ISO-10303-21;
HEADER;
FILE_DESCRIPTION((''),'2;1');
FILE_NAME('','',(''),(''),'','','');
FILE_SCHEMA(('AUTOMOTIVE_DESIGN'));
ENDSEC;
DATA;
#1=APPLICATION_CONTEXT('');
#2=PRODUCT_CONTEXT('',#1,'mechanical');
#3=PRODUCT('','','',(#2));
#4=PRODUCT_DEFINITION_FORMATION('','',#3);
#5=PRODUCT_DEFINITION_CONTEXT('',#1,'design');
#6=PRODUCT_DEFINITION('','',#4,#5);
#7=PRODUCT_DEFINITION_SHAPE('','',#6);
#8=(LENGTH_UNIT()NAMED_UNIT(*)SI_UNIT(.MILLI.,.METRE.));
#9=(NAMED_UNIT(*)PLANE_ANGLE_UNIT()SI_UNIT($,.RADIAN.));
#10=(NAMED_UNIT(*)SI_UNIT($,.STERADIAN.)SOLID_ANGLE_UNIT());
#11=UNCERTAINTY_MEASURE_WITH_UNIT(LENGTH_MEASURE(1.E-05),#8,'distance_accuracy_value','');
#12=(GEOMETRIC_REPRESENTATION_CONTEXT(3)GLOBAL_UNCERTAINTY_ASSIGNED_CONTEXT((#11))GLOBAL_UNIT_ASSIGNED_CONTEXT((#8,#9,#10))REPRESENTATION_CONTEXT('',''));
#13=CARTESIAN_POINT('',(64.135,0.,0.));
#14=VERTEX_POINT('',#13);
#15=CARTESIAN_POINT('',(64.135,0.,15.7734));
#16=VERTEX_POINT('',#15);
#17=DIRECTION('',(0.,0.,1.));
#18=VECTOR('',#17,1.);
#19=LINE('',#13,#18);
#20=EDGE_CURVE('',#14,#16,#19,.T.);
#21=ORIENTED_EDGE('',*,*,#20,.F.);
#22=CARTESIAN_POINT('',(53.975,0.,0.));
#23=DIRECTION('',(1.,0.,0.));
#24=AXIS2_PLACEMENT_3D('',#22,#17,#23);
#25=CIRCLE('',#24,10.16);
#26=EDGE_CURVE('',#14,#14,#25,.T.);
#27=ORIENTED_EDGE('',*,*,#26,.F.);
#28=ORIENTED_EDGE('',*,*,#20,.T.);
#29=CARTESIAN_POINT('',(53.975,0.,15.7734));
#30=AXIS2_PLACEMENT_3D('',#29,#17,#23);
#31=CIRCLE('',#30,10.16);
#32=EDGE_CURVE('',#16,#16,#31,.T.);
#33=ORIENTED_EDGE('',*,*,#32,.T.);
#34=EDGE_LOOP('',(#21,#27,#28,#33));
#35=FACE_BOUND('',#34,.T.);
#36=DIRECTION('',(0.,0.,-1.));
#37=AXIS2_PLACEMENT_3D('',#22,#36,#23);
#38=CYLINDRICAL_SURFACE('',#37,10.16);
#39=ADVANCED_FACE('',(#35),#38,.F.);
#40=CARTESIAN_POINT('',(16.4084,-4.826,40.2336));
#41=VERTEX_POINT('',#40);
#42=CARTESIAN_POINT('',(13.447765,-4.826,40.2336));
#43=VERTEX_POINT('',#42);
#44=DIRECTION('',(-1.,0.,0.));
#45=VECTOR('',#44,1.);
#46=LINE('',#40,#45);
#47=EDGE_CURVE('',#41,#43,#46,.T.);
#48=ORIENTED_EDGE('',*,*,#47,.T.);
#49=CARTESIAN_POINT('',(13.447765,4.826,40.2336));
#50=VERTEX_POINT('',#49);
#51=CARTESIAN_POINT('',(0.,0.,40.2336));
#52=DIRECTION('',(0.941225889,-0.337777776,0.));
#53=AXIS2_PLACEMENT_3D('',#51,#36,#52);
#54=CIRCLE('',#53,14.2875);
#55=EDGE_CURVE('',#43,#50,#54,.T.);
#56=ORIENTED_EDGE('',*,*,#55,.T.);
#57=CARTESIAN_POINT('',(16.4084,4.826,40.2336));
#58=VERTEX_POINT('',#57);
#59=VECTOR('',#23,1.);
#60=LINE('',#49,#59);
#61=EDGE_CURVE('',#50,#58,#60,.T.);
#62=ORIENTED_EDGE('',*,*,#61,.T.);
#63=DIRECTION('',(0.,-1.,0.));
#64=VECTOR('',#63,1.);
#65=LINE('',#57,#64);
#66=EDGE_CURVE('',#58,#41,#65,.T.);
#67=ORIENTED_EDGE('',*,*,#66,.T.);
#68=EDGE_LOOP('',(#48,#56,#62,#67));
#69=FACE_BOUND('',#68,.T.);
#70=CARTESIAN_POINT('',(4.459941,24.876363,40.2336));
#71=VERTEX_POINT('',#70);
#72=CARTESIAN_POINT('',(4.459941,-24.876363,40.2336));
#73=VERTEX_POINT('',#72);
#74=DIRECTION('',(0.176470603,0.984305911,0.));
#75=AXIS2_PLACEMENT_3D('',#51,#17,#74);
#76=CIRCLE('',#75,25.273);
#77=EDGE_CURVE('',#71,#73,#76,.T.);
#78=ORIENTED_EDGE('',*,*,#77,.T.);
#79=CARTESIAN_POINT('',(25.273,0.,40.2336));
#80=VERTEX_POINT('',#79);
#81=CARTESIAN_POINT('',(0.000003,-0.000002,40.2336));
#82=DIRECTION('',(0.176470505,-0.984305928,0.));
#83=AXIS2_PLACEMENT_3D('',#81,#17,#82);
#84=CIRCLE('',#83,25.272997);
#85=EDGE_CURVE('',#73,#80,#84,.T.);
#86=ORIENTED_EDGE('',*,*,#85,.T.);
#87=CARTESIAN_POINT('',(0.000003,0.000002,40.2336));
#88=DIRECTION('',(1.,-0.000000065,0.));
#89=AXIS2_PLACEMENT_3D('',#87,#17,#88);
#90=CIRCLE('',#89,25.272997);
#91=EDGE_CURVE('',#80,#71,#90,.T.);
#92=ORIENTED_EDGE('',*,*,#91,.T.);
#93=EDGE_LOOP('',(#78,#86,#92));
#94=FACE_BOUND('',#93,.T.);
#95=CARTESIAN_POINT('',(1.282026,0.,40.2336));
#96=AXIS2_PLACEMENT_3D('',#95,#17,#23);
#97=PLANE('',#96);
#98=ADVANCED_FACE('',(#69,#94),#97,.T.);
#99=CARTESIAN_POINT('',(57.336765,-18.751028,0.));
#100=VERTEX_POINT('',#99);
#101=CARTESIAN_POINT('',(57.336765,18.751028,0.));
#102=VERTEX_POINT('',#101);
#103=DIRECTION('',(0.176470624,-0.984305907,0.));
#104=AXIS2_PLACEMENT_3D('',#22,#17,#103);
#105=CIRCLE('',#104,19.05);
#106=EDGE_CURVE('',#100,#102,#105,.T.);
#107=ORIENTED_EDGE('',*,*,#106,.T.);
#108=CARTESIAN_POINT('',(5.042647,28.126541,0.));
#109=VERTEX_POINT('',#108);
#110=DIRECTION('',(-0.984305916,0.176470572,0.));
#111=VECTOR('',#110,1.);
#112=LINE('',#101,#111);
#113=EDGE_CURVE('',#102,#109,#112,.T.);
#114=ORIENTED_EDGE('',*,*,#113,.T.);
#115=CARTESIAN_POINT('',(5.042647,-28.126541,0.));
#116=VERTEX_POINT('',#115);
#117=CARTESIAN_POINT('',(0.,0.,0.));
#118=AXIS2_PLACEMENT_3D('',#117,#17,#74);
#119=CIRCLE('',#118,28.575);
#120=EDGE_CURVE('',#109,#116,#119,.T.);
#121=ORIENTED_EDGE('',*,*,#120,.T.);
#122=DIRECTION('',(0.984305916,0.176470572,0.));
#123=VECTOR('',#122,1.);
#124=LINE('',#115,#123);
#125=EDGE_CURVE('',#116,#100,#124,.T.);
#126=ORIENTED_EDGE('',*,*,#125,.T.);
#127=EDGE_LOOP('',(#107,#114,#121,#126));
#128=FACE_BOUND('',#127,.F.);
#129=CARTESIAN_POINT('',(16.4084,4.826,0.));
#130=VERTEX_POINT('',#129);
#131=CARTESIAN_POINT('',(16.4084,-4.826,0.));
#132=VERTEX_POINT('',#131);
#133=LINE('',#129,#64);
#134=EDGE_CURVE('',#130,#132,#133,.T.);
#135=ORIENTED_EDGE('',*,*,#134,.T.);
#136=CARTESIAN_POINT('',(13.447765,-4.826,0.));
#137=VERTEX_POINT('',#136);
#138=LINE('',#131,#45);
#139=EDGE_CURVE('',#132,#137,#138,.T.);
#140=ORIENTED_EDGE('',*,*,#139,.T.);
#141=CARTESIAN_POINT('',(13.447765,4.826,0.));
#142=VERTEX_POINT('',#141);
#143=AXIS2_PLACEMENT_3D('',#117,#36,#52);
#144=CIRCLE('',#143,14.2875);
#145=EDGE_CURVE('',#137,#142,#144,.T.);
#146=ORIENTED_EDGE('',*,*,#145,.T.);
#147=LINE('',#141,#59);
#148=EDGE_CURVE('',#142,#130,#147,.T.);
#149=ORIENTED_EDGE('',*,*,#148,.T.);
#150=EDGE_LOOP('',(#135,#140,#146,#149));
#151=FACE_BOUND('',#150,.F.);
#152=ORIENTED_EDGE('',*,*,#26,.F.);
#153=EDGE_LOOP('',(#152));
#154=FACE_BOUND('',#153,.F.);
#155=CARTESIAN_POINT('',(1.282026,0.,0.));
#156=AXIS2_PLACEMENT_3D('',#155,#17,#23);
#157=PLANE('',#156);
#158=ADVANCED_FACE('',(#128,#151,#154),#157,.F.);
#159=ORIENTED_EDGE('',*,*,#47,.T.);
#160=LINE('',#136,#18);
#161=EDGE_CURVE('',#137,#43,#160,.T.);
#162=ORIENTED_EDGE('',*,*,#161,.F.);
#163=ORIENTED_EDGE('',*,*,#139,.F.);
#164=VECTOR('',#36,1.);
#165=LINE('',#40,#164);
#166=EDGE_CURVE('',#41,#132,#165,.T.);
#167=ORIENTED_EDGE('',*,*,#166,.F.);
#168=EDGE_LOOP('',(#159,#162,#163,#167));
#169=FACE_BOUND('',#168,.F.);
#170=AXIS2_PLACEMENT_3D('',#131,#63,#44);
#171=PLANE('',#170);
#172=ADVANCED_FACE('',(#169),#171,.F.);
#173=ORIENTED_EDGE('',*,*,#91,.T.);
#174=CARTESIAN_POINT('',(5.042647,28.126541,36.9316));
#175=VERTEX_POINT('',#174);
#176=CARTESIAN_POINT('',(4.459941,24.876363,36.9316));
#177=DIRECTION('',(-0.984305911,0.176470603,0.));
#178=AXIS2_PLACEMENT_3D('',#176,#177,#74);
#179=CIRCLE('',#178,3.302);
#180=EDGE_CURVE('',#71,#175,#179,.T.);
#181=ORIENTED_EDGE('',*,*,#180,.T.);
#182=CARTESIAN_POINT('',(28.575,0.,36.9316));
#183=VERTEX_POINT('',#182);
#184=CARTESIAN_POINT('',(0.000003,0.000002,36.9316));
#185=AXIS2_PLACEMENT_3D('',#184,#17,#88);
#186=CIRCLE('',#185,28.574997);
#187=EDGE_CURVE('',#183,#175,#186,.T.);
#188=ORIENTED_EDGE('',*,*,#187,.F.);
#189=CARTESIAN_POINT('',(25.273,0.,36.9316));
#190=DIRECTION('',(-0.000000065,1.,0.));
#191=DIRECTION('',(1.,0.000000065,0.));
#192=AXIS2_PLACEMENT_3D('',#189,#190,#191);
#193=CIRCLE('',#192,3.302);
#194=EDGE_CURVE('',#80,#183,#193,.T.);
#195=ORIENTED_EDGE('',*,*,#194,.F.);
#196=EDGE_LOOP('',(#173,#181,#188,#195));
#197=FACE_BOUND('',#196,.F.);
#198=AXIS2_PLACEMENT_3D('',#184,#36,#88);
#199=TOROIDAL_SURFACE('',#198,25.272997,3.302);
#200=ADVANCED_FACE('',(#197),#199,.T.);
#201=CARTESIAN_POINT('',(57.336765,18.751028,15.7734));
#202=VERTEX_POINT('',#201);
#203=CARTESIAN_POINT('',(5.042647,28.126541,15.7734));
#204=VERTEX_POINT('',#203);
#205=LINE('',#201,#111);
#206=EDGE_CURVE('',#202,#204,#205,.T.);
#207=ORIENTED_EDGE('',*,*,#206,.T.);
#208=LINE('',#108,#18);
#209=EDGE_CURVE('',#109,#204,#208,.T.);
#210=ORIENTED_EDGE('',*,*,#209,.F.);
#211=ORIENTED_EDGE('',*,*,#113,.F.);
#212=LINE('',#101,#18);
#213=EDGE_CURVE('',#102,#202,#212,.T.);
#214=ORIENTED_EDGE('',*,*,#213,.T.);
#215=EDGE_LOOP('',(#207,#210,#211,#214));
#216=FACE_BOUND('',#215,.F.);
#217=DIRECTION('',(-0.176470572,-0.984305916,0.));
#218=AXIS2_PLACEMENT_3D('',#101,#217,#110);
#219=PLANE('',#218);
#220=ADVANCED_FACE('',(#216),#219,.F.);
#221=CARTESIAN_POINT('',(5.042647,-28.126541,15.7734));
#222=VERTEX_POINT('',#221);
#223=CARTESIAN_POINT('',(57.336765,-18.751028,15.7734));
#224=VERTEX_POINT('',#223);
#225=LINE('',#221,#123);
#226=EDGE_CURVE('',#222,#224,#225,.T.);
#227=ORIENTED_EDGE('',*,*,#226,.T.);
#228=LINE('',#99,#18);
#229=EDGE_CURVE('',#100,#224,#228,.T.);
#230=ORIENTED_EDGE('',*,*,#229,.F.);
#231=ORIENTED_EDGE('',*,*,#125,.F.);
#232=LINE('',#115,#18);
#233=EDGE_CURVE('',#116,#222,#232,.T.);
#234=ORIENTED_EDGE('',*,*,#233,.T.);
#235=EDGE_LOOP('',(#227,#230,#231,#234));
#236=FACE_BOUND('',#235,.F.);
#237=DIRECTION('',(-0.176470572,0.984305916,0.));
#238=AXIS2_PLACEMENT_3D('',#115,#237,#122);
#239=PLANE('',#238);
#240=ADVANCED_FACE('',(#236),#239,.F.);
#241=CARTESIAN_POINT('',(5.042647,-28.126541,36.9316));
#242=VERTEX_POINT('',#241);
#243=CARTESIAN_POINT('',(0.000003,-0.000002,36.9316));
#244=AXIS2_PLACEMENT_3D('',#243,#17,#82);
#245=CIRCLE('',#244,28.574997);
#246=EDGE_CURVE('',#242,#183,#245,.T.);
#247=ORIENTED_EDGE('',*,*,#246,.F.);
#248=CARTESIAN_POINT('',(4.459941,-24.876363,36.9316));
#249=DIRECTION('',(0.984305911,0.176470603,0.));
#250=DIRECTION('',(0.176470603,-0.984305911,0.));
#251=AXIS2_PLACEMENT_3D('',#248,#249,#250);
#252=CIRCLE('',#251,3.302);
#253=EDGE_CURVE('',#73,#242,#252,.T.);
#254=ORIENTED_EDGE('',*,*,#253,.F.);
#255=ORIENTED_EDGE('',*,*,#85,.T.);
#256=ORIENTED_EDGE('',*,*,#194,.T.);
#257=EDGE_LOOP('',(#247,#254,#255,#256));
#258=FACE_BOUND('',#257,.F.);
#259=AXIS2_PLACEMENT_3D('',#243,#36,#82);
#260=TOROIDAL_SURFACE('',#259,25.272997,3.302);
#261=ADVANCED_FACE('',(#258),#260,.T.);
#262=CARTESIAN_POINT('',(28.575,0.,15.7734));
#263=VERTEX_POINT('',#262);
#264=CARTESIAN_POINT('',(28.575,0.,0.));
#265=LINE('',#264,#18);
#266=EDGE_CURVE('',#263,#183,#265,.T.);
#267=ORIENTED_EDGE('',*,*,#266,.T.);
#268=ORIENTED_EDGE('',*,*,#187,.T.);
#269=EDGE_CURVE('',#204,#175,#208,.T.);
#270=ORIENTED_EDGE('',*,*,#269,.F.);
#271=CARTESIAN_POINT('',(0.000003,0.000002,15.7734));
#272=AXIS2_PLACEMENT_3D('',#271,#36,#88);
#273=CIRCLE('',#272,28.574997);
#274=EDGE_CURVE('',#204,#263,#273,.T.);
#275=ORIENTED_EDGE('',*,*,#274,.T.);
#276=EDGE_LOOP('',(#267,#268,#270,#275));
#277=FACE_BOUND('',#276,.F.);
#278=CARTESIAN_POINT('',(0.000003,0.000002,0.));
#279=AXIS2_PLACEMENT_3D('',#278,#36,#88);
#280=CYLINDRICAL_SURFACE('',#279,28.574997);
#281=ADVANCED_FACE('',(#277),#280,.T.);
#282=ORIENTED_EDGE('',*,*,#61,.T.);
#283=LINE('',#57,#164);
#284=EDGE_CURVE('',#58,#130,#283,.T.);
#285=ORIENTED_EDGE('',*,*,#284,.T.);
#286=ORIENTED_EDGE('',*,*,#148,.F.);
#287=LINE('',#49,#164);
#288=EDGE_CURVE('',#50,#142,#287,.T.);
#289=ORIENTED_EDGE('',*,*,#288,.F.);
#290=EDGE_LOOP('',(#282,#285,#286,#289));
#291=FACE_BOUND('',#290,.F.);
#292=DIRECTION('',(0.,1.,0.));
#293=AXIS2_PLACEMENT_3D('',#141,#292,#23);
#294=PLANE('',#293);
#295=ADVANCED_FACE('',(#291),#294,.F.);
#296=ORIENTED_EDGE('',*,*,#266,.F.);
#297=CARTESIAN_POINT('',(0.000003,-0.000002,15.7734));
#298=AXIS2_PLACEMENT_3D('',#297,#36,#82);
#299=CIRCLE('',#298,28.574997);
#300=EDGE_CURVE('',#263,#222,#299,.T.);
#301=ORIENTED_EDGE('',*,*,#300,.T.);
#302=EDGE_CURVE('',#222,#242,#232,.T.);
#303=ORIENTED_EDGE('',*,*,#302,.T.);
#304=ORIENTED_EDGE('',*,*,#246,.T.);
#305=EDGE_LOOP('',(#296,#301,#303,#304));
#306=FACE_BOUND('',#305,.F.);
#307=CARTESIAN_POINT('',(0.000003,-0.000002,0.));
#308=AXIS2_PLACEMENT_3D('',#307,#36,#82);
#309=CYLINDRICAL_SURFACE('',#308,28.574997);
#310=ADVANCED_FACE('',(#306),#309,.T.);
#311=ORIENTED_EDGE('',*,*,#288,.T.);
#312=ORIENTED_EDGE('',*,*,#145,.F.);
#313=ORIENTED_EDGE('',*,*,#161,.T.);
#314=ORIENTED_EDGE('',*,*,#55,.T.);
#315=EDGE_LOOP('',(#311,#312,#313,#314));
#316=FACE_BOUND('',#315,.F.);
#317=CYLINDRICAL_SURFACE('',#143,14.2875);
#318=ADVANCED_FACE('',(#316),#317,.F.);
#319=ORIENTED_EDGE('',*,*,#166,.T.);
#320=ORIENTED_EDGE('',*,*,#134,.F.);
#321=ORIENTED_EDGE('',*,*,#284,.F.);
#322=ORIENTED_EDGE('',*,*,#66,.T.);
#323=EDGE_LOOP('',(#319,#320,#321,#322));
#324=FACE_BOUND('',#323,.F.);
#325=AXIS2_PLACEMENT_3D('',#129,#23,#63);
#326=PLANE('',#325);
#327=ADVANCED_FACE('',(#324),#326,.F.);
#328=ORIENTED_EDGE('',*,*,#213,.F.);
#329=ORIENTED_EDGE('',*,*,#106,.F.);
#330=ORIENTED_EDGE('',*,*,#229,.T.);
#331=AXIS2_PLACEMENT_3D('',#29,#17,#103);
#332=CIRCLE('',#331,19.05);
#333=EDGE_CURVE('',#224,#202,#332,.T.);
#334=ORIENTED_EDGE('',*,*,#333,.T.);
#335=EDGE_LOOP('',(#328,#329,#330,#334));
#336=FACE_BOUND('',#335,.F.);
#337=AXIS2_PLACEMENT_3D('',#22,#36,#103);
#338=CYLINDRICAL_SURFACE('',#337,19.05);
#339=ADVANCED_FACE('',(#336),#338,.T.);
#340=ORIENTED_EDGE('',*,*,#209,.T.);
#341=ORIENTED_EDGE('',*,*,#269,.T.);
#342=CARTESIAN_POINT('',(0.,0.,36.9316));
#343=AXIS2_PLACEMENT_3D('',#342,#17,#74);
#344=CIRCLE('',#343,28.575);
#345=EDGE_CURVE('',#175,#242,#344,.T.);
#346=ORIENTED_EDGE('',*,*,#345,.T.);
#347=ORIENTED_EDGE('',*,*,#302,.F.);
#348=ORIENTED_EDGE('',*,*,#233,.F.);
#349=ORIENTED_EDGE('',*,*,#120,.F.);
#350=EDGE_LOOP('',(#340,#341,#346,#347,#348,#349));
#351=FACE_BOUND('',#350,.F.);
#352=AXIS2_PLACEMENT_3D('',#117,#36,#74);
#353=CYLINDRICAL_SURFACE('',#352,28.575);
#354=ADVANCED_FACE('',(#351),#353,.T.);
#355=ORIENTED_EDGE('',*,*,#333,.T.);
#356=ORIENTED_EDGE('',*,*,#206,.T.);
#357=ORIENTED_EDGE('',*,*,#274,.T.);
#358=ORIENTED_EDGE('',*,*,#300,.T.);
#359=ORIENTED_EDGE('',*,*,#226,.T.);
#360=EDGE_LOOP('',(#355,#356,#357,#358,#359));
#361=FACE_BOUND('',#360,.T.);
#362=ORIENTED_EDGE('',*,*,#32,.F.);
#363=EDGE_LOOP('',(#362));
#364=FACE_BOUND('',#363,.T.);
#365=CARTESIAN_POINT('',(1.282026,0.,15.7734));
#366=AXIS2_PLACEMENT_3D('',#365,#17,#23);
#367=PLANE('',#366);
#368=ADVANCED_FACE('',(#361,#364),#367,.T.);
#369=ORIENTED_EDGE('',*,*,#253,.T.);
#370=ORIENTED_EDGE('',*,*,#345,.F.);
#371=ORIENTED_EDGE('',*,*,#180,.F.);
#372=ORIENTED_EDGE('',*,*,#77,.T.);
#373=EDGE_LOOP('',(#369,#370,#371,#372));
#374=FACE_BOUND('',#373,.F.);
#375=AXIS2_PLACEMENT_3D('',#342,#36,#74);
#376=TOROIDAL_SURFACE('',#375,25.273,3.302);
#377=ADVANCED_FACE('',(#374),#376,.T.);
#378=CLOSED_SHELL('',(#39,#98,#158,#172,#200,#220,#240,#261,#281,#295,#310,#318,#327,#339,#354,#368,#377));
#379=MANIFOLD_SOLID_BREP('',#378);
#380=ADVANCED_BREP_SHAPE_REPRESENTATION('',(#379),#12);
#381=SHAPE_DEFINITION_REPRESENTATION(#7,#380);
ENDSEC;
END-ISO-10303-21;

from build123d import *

# Parameters (mm, degrees)
F1_DEPTH = 40.2336
F0_R     = 10.16
F2_DEPTH = 15.7734
F3_R     = 3.302


with BuildPart() as f1:
    # F0 (on Top) → F1 (new body)
    with BuildSketch(Plane.XY):
        with BuildLine():
            ThreePointArc((5.042647, -28.126541), (21.916025, -18.336262), (28.575, 0))
            ThreePointArc((28.575, 0), (21.916025, 18.336262), (5.042647, 28.126541))
            ThreePointArc((5.042647, 28.126541), (-28.575, 0), (5.042647, -28.126541))
        make_face()
        with BuildLine():
            ThreePointArc((13.447765, -4.826), (-14.2875, 0), (13.447765, 4.826))
            Line((13.447765, 4.826), (16.4084, 4.826))
            Line((16.4084, 4.826), (16.4084, -4.826))
            Line((16.4084, -4.826), (13.447765, -4.826))
        make_face(mode=Mode.SUBTRACT)
    extrude(amount=F1_DEPTH)

    # F0 (on Top) → F2 (join)
    with BuildSketch(Plane.XY):
        with BuildLine():
            ThreePointArc((5.042647, -28.126541), (21.916025, -18.336262), (28.575, 0))
            ThreePointArc((28.575, 0), (21.916025, 18.336262), (5.042647, 28.126541))
            ThreePointArc((5.042647, 28.126541), (-28.575, 0), (5.042647, -28.126541))
        make_face()
        with BuildLine():
            ThreePointArc((13.447765, -4.826), (-14.2875, 0), (13.447765, 4.826))
            Line((13.447765, 4.826), (16.4084, 4.826))
            Line((16.4084, 4.826), (16.4084, -4.826))
            Line((16.4084, -4.826), (13.447765, -4.826))
        make_face(mode=Mode.SUBTRACT)
        with BuildLine():
            ThreePointArc((5.042647, 28.126541), (21.916025, 18.336262), (28.575, 0))
            ThreePointArc((28.575, 0), (21.916025, -18.336262), (5.042647, -28.126541))
            Line((5.042647, -28.126541), (57.336765, -18.751028))
            ThreePointArc((57.336765, -18.751028), (73.025, 0), (57.336765, 18.751028))
            Line((57.336765, 18.751028), (5.042647, 28.126541))
        make_face()
        with Locations((53.975, 0)):
            Circle(F0_R, mode=Mode.SUBTRACT)
    extrude(amount=F2_DEPTH)

    # F3
    f3_edges = [f1.edges().sort_by_distance(p)[0] for p in [
        (-5.042647, 28.126541, 40.2336),
    ]]
    fillet(f3_edges, radius=F3_R)


solid = f1.part
